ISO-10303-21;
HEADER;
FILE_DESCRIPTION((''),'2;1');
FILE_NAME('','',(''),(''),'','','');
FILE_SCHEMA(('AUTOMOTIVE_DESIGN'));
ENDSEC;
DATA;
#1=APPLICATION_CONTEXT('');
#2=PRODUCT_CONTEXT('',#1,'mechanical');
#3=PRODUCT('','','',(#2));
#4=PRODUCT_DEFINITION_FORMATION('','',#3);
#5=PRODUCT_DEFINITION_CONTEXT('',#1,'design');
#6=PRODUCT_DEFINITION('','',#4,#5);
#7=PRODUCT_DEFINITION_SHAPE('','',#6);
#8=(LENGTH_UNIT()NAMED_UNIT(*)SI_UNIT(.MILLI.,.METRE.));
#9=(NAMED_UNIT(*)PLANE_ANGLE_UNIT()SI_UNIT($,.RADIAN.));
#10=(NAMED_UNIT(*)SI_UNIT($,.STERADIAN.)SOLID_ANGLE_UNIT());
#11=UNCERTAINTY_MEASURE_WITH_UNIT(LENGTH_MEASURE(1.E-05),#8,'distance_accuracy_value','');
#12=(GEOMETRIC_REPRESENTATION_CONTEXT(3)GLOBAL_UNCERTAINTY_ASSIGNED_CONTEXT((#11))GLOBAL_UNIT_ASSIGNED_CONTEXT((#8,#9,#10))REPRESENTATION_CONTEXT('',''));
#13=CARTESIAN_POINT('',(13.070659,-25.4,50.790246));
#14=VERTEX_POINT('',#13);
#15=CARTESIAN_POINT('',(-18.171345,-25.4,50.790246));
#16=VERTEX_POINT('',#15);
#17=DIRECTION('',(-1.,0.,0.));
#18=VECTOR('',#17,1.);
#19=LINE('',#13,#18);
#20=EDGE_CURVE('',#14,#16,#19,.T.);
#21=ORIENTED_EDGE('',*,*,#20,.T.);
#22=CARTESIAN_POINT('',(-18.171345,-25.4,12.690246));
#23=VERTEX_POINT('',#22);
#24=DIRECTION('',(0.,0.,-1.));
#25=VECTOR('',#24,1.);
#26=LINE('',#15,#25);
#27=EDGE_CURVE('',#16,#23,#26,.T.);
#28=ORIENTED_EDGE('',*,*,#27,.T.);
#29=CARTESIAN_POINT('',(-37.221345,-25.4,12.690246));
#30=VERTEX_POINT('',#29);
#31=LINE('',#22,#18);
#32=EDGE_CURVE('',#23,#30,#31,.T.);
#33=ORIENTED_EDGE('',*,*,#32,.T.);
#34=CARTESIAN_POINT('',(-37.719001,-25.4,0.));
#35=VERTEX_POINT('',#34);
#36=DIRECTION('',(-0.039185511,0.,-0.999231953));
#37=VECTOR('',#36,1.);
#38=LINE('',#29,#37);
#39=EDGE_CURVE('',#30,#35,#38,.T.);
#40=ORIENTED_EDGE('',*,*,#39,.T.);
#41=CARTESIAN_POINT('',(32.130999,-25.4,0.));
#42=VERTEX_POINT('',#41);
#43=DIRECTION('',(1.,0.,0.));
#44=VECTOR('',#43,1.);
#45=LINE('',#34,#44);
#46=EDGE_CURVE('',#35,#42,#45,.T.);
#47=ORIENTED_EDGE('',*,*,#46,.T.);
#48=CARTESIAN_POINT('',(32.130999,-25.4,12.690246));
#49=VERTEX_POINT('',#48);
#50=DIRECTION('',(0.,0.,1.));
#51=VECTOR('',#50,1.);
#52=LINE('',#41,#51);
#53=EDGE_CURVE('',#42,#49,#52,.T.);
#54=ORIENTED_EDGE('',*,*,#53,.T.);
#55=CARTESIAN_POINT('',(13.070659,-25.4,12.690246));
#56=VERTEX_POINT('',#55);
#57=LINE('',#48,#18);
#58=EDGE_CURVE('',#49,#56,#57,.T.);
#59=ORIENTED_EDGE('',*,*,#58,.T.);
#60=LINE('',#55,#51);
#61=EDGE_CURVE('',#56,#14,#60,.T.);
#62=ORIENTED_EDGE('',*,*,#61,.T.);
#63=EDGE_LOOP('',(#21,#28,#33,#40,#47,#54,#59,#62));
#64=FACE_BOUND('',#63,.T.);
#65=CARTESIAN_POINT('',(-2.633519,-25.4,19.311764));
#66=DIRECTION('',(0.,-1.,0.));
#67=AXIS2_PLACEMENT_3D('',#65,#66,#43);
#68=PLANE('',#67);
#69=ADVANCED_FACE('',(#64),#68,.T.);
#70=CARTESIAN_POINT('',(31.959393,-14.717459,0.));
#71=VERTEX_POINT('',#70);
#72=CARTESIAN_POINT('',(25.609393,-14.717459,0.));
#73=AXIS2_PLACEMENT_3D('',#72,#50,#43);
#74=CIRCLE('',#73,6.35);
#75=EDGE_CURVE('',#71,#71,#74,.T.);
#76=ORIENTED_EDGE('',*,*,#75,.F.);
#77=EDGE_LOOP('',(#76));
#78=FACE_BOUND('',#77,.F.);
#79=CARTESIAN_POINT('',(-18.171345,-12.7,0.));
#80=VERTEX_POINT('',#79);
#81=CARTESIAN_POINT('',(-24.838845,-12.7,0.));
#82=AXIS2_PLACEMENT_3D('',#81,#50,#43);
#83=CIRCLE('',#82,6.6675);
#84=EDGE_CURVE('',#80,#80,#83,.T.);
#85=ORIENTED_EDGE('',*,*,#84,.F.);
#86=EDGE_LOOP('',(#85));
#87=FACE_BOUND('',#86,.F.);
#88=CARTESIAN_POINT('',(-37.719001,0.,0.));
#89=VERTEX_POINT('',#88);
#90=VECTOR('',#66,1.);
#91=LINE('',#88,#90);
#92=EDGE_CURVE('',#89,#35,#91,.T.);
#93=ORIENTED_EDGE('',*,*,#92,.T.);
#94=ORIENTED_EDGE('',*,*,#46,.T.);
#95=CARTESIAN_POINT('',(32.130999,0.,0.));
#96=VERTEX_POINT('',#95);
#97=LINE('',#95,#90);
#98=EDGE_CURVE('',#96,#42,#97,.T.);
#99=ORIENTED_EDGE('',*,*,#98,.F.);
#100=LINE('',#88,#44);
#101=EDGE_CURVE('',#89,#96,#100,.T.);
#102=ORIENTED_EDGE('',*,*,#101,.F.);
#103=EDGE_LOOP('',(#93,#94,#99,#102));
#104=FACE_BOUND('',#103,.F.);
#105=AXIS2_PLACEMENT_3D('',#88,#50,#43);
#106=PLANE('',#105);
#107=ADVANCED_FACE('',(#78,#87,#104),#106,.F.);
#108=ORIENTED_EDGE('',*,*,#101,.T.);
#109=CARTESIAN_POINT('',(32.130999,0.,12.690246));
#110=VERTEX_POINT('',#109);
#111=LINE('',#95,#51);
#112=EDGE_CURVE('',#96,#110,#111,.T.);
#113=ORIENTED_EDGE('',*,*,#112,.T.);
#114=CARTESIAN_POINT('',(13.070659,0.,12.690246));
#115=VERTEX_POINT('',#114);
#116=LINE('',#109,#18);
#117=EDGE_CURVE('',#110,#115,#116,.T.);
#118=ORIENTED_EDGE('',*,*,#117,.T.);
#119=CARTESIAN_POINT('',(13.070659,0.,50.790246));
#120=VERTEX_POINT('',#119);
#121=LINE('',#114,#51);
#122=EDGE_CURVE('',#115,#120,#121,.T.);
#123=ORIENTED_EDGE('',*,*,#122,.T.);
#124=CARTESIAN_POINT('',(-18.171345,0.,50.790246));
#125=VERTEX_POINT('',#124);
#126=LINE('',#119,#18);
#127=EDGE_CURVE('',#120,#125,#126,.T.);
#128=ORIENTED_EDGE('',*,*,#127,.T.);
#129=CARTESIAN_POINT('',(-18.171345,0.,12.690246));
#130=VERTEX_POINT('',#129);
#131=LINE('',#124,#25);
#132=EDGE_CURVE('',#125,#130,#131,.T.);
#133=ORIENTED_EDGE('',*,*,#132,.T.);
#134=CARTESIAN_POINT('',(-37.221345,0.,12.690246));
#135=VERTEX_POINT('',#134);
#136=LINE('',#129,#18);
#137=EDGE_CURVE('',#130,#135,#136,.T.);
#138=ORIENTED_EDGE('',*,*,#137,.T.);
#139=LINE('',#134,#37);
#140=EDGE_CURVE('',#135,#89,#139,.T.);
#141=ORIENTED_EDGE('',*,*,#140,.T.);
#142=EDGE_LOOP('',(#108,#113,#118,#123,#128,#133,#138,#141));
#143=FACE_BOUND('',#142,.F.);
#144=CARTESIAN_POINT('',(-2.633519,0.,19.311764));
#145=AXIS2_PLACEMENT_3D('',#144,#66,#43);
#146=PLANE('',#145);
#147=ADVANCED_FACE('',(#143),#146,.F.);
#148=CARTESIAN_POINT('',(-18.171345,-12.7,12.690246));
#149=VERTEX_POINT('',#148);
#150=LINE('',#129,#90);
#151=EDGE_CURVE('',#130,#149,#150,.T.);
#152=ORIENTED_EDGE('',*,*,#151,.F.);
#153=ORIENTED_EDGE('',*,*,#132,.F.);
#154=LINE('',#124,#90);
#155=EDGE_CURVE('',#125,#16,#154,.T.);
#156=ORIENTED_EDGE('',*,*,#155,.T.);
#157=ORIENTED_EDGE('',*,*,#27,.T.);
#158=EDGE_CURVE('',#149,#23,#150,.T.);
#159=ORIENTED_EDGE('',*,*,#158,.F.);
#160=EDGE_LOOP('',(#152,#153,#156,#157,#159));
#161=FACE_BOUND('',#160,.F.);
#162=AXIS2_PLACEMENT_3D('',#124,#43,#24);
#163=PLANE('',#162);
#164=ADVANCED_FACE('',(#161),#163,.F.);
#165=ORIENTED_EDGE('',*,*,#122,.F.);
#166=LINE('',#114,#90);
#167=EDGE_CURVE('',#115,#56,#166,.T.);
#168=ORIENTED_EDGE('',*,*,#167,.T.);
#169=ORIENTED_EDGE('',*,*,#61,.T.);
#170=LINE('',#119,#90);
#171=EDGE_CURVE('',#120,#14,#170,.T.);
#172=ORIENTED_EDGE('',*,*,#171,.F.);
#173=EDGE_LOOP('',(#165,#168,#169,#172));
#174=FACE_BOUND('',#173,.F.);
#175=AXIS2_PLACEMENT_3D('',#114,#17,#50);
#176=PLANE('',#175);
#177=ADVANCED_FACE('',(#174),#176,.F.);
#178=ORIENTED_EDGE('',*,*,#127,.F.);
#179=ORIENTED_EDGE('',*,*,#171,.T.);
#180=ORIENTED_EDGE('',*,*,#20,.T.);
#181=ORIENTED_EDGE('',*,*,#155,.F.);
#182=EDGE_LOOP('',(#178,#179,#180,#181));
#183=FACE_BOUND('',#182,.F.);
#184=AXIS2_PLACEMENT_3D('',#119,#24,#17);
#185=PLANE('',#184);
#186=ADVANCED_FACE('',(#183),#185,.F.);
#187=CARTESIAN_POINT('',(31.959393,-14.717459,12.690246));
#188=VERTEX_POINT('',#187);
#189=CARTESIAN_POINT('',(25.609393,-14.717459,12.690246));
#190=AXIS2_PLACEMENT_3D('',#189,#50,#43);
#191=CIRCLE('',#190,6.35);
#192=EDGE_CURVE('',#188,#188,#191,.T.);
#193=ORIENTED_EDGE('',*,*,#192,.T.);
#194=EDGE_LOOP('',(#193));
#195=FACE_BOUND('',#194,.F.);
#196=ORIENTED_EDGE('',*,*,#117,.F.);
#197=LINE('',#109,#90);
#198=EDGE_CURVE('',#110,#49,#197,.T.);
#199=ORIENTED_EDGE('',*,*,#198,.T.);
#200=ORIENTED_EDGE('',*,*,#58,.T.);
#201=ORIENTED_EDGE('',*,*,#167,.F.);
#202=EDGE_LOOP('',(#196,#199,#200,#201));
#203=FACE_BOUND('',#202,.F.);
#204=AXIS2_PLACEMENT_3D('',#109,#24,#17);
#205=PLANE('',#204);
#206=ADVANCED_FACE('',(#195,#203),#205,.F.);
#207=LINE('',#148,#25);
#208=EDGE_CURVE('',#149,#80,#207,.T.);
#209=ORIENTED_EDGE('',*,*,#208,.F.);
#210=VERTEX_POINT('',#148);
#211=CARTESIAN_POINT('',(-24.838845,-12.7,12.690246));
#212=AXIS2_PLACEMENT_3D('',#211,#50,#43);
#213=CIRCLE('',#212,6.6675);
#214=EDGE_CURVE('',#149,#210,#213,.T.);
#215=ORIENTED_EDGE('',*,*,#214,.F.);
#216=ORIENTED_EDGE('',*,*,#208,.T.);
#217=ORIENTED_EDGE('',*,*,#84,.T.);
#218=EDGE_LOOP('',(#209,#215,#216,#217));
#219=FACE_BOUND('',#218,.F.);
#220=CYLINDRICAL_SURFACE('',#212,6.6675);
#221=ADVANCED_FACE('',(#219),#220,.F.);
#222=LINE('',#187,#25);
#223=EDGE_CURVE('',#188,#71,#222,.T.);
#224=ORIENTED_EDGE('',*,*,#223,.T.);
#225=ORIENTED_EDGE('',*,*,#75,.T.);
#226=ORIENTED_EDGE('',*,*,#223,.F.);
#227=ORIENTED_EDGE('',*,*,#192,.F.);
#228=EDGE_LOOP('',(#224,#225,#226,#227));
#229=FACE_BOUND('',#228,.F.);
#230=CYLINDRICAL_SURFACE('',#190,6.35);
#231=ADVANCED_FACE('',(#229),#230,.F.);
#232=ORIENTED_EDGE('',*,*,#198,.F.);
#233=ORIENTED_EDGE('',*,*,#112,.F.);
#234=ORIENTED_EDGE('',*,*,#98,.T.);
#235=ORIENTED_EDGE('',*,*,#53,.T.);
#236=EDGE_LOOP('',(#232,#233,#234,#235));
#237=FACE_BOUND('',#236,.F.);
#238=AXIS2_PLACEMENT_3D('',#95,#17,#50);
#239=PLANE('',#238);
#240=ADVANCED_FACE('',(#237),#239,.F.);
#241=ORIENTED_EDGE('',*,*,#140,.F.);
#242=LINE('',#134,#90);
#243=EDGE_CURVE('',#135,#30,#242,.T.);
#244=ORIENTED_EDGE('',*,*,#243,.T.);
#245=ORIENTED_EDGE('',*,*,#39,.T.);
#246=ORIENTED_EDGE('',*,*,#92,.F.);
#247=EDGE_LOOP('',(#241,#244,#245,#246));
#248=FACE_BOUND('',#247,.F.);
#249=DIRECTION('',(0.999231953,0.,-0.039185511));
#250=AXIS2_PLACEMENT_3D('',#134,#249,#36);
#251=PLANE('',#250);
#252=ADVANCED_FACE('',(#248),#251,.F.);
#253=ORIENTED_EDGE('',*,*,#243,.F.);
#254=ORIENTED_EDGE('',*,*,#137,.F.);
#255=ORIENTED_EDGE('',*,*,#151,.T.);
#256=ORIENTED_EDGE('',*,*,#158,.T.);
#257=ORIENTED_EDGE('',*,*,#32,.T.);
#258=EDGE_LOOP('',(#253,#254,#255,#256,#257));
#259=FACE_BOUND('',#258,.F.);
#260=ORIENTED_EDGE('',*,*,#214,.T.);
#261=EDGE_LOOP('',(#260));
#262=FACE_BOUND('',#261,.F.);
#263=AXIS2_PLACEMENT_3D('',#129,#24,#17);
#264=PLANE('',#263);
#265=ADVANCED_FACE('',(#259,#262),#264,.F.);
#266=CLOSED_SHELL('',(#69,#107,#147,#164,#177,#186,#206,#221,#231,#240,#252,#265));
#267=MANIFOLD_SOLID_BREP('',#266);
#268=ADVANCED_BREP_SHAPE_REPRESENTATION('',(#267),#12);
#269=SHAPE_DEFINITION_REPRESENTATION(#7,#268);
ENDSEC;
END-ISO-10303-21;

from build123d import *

# Parameters (mm, degrees)
F1_DEPTH = 25.4
F2_R     = 6.6675
F3_DEPTH = 12.7
F4_R     = 6.35
F5_DEPTH = 12.7


with BuildPart() as f1:
    # F0 (on Front) → F1 (new body)
    with BuildSketch(Plane.XZ):
        Polygon((-37.221345, 12.690246), (-37.719001, 0), (32.130999, 0), (32.130999, 12.690246), (13.070659, 12.690246), (13.070659, 50.790246), (-18.171345, 50.790246), (-18.171345, 12.690246), align=None)
    extrude(amount=F1_DEPTH)

    # F2 (on face) → F3 (cut)
    with BuildSketch(Plane.XY.offset(12.690246)):
        with Locations((-24.838845, -12.7)):
            Circle(F2_R)
    extrude(amount=-F3_DEPTH, mode=Mode.SUBTRACT)

    # F4 (on face) → F5 (cut)
    with BuildSketch(Plane.XY.offset(12.690246)):
        with Locations((25.609393, -14.717459)):
            Circle(F4_R)
    extrude(amount=-F5_DEPTH, mode=Mode.SUBTRACT)


solid = f1.part
